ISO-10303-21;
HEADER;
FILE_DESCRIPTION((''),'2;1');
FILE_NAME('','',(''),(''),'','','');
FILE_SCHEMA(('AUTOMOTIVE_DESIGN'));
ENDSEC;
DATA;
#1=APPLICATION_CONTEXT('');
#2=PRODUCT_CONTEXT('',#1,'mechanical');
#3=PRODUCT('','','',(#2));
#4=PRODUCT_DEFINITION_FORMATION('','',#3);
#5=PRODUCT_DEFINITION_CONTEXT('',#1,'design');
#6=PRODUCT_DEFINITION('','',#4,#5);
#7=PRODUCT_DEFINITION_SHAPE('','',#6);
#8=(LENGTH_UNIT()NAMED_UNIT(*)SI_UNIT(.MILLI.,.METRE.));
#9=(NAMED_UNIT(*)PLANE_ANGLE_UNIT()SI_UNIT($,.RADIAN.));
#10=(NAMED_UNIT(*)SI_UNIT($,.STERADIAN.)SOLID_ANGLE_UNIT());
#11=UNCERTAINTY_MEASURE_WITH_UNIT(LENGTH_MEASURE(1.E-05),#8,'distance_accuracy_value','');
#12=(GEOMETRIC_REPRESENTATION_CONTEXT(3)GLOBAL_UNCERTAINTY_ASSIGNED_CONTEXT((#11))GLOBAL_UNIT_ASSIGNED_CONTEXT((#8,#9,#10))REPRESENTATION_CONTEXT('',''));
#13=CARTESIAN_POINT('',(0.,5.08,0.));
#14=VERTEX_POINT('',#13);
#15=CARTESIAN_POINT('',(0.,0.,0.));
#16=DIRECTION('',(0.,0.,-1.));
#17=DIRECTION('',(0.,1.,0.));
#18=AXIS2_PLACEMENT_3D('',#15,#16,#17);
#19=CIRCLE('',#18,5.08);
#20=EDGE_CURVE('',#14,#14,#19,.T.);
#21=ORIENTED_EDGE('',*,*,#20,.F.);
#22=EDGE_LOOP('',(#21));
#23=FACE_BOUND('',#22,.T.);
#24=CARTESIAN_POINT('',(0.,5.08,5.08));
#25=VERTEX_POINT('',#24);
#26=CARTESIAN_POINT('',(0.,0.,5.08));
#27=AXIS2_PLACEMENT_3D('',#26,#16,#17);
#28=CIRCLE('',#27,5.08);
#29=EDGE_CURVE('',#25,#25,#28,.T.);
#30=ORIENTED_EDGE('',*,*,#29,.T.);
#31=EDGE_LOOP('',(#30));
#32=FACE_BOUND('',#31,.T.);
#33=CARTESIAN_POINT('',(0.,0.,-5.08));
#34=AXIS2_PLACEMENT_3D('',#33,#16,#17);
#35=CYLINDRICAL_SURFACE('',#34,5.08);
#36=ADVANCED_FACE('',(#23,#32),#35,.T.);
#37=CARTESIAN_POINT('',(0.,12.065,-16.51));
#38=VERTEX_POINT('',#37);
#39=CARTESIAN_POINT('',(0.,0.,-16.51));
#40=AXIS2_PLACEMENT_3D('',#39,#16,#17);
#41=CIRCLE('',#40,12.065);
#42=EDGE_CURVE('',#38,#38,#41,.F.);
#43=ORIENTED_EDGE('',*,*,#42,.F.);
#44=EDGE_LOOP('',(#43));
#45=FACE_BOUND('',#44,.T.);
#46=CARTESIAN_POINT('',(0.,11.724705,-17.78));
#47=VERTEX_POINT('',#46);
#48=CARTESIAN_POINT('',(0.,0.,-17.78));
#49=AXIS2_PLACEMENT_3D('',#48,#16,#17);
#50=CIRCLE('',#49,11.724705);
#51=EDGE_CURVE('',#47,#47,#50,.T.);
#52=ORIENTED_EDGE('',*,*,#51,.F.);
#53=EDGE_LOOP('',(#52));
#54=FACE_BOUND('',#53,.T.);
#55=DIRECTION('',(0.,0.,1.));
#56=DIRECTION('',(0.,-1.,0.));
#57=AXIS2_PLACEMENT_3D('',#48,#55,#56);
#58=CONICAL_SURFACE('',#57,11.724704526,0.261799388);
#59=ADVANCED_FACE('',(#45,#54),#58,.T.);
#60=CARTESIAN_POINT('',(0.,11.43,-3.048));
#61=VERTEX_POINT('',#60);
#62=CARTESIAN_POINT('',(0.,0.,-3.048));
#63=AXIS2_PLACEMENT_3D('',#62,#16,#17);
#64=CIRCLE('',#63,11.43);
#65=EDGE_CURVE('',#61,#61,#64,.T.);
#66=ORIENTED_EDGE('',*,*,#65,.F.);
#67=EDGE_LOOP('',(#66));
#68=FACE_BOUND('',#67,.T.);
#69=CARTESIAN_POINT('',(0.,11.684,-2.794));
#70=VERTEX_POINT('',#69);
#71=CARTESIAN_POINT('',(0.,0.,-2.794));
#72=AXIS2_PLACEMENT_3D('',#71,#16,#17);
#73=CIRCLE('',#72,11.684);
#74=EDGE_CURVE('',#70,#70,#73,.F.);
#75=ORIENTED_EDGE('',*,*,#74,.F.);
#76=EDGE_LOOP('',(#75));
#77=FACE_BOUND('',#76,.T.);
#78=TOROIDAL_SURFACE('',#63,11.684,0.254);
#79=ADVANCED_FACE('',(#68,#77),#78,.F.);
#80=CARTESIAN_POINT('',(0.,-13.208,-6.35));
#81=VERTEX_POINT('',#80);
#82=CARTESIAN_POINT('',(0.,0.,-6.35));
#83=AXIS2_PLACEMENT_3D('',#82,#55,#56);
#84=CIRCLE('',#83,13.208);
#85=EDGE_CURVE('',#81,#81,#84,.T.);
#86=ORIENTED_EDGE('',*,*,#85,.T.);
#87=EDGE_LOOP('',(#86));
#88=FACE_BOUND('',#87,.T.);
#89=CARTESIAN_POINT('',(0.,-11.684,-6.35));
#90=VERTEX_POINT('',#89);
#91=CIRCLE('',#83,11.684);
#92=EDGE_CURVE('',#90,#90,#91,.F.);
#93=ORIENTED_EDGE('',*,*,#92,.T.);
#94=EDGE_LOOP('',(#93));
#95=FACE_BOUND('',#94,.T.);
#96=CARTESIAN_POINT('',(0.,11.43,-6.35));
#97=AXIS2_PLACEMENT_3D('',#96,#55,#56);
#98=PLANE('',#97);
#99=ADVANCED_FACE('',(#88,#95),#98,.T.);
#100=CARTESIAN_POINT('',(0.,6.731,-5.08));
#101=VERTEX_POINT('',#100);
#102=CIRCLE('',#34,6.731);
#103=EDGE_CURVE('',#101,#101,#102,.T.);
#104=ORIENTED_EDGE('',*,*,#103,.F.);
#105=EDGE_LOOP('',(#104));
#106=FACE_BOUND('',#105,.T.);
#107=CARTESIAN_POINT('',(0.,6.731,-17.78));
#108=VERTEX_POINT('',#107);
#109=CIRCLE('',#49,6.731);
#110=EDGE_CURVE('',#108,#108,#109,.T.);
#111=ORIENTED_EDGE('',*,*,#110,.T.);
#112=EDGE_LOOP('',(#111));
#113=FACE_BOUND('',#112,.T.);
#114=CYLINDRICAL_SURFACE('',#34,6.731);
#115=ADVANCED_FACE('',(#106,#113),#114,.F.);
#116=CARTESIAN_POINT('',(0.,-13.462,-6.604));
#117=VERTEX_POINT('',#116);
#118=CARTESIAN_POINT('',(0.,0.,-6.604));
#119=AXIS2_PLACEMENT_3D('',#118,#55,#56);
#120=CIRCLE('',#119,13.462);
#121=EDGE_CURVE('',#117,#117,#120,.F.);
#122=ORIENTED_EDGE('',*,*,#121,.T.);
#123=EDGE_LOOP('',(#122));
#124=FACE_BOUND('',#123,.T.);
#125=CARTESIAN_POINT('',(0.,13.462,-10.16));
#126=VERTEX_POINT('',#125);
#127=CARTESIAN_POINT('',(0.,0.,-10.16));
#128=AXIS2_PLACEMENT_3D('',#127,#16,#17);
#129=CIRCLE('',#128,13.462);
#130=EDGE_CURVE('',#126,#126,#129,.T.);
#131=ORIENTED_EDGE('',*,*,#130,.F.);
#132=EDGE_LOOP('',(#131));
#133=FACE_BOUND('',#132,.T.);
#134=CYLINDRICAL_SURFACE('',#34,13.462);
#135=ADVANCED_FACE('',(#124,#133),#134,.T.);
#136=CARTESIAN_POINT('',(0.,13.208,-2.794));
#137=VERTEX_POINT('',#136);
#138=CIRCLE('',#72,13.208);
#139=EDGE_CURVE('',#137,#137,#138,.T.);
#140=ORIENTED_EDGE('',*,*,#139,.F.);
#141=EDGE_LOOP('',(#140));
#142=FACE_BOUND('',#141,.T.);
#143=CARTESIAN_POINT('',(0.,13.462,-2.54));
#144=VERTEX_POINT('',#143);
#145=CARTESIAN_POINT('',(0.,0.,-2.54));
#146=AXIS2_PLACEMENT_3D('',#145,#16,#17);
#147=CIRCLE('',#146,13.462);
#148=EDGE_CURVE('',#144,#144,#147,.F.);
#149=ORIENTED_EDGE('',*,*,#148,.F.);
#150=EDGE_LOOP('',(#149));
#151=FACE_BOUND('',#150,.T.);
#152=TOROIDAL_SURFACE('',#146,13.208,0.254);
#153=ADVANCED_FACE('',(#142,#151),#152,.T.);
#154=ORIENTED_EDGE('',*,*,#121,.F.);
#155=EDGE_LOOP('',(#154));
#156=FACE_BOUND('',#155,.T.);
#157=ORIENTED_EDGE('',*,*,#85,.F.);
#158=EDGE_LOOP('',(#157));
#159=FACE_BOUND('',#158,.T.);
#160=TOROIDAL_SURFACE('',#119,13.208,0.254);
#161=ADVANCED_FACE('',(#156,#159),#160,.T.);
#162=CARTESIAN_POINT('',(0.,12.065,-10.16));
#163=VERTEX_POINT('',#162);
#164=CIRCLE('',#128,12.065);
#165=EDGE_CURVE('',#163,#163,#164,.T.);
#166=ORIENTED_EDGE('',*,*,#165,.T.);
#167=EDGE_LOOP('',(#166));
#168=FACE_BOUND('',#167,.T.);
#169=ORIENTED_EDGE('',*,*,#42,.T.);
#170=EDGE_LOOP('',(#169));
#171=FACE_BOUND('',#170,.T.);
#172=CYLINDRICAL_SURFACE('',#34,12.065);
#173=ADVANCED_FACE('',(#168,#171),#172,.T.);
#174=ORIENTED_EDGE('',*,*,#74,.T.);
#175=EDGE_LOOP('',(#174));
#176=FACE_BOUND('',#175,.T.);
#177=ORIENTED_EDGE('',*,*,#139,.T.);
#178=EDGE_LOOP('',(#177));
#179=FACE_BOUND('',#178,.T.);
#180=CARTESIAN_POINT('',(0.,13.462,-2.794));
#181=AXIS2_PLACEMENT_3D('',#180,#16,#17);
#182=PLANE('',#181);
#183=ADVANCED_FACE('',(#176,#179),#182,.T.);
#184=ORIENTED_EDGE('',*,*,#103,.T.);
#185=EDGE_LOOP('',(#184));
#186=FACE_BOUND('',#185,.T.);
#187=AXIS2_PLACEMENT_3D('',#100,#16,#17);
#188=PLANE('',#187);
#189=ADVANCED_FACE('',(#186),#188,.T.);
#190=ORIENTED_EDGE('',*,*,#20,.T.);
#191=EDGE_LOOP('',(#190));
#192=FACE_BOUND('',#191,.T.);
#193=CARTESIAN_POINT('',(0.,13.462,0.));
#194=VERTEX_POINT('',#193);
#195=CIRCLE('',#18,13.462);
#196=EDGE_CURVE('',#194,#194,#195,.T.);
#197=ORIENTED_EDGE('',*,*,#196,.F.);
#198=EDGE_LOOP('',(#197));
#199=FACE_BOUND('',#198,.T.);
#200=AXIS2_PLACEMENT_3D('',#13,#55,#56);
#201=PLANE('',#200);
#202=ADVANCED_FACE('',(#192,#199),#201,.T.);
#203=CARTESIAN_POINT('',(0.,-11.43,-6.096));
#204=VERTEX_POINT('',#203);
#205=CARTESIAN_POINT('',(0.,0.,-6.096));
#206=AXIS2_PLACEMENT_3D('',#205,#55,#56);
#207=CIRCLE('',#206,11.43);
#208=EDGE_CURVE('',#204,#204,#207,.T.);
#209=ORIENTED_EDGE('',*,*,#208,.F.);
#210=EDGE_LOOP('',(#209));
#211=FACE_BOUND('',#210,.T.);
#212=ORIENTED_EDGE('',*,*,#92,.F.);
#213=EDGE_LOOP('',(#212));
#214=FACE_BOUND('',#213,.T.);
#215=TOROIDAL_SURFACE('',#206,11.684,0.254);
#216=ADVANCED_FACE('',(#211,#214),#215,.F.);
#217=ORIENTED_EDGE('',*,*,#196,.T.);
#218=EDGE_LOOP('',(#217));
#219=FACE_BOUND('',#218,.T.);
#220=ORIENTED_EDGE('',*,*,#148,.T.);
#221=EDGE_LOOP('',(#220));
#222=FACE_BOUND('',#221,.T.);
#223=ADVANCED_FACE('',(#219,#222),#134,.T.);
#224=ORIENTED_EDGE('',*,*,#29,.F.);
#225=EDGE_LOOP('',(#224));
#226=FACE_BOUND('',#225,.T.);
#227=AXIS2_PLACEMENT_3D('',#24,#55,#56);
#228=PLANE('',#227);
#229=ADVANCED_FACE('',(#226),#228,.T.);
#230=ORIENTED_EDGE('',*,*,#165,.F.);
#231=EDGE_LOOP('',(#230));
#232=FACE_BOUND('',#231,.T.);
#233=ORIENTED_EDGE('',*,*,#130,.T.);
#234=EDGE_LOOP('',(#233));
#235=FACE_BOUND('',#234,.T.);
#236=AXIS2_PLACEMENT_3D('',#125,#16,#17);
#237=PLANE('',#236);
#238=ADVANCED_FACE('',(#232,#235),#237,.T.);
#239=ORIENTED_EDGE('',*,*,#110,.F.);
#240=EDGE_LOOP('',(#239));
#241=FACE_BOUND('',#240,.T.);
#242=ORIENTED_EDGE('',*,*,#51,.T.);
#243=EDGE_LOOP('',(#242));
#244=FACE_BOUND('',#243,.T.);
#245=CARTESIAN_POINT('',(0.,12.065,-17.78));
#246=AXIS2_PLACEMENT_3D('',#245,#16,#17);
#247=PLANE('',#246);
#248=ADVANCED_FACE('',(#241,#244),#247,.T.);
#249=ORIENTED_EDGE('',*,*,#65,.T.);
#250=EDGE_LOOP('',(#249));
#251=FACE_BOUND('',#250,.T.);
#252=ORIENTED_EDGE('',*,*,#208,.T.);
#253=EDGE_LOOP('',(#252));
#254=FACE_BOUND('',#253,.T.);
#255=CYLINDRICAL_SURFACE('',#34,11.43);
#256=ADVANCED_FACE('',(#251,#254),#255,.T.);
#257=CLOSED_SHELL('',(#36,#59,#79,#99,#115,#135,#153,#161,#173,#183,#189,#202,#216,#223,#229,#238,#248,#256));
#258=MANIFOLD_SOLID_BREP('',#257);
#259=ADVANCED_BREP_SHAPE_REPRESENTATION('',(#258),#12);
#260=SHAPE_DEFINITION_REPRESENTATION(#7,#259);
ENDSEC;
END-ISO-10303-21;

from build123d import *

# Parameters (mm, degrees)
CHAMFER1_SIZE  = 1.27
CHAMFER1_SIZE2 = 0.340295474
FILLET1_R      = 0.254


with BuildPart() as part:
    # Sketch1 → Revolve1 (revolve)
    with BuildSketch(Plane(origin=(0, 0, 0), x_dir=(0, 0, -1), z_dir=(1, 0, 0))):
        Polygon((0, 5.08), (0, 13.462), (2.794, 13.462), (2.794, 11.43), (6.35, 11.43), (6.35, 13.462), (10.16, 13.462), (10.16, 12.065), (17.78, 12.065), (17.78, 6.731), (5.08, 6.731), (5.08, 0), (0, 0), (-5.08, 0), (-5.08, 5.08), align=None)
    revolve(axis=Axis((0, 0, -5.08), (0, 0, 1)))

    # Chamfer1
    chamfer1_edges = [part.edges().sort_by_distance(p)[0] for p in [
        (0, -12.065, -17.78),
    ]]
    chamfer1_side = [part.faces().sort_by_distance(p)[0] for p in [
        (0, -12.065, -13.97),
    ]]
    chamfer(chamfer1_edges, length=CHAMFER1_SIZE, length2=CHAMFER1_SIZE2, reference=chamfer1_side[0])

    # Fillet1
    fillet1_edges = [part.edges().sort_by_distance(p)[0] for p in [
        (0, -13.462, -6.35),
        (0, -11.43, -6.35),
        (0, -11.43, -2.794),
        (0, -13.462, -2.794),
    ]]
    fillet(fillet1_edges, radius=FILLET1_R)


solid = part.part
